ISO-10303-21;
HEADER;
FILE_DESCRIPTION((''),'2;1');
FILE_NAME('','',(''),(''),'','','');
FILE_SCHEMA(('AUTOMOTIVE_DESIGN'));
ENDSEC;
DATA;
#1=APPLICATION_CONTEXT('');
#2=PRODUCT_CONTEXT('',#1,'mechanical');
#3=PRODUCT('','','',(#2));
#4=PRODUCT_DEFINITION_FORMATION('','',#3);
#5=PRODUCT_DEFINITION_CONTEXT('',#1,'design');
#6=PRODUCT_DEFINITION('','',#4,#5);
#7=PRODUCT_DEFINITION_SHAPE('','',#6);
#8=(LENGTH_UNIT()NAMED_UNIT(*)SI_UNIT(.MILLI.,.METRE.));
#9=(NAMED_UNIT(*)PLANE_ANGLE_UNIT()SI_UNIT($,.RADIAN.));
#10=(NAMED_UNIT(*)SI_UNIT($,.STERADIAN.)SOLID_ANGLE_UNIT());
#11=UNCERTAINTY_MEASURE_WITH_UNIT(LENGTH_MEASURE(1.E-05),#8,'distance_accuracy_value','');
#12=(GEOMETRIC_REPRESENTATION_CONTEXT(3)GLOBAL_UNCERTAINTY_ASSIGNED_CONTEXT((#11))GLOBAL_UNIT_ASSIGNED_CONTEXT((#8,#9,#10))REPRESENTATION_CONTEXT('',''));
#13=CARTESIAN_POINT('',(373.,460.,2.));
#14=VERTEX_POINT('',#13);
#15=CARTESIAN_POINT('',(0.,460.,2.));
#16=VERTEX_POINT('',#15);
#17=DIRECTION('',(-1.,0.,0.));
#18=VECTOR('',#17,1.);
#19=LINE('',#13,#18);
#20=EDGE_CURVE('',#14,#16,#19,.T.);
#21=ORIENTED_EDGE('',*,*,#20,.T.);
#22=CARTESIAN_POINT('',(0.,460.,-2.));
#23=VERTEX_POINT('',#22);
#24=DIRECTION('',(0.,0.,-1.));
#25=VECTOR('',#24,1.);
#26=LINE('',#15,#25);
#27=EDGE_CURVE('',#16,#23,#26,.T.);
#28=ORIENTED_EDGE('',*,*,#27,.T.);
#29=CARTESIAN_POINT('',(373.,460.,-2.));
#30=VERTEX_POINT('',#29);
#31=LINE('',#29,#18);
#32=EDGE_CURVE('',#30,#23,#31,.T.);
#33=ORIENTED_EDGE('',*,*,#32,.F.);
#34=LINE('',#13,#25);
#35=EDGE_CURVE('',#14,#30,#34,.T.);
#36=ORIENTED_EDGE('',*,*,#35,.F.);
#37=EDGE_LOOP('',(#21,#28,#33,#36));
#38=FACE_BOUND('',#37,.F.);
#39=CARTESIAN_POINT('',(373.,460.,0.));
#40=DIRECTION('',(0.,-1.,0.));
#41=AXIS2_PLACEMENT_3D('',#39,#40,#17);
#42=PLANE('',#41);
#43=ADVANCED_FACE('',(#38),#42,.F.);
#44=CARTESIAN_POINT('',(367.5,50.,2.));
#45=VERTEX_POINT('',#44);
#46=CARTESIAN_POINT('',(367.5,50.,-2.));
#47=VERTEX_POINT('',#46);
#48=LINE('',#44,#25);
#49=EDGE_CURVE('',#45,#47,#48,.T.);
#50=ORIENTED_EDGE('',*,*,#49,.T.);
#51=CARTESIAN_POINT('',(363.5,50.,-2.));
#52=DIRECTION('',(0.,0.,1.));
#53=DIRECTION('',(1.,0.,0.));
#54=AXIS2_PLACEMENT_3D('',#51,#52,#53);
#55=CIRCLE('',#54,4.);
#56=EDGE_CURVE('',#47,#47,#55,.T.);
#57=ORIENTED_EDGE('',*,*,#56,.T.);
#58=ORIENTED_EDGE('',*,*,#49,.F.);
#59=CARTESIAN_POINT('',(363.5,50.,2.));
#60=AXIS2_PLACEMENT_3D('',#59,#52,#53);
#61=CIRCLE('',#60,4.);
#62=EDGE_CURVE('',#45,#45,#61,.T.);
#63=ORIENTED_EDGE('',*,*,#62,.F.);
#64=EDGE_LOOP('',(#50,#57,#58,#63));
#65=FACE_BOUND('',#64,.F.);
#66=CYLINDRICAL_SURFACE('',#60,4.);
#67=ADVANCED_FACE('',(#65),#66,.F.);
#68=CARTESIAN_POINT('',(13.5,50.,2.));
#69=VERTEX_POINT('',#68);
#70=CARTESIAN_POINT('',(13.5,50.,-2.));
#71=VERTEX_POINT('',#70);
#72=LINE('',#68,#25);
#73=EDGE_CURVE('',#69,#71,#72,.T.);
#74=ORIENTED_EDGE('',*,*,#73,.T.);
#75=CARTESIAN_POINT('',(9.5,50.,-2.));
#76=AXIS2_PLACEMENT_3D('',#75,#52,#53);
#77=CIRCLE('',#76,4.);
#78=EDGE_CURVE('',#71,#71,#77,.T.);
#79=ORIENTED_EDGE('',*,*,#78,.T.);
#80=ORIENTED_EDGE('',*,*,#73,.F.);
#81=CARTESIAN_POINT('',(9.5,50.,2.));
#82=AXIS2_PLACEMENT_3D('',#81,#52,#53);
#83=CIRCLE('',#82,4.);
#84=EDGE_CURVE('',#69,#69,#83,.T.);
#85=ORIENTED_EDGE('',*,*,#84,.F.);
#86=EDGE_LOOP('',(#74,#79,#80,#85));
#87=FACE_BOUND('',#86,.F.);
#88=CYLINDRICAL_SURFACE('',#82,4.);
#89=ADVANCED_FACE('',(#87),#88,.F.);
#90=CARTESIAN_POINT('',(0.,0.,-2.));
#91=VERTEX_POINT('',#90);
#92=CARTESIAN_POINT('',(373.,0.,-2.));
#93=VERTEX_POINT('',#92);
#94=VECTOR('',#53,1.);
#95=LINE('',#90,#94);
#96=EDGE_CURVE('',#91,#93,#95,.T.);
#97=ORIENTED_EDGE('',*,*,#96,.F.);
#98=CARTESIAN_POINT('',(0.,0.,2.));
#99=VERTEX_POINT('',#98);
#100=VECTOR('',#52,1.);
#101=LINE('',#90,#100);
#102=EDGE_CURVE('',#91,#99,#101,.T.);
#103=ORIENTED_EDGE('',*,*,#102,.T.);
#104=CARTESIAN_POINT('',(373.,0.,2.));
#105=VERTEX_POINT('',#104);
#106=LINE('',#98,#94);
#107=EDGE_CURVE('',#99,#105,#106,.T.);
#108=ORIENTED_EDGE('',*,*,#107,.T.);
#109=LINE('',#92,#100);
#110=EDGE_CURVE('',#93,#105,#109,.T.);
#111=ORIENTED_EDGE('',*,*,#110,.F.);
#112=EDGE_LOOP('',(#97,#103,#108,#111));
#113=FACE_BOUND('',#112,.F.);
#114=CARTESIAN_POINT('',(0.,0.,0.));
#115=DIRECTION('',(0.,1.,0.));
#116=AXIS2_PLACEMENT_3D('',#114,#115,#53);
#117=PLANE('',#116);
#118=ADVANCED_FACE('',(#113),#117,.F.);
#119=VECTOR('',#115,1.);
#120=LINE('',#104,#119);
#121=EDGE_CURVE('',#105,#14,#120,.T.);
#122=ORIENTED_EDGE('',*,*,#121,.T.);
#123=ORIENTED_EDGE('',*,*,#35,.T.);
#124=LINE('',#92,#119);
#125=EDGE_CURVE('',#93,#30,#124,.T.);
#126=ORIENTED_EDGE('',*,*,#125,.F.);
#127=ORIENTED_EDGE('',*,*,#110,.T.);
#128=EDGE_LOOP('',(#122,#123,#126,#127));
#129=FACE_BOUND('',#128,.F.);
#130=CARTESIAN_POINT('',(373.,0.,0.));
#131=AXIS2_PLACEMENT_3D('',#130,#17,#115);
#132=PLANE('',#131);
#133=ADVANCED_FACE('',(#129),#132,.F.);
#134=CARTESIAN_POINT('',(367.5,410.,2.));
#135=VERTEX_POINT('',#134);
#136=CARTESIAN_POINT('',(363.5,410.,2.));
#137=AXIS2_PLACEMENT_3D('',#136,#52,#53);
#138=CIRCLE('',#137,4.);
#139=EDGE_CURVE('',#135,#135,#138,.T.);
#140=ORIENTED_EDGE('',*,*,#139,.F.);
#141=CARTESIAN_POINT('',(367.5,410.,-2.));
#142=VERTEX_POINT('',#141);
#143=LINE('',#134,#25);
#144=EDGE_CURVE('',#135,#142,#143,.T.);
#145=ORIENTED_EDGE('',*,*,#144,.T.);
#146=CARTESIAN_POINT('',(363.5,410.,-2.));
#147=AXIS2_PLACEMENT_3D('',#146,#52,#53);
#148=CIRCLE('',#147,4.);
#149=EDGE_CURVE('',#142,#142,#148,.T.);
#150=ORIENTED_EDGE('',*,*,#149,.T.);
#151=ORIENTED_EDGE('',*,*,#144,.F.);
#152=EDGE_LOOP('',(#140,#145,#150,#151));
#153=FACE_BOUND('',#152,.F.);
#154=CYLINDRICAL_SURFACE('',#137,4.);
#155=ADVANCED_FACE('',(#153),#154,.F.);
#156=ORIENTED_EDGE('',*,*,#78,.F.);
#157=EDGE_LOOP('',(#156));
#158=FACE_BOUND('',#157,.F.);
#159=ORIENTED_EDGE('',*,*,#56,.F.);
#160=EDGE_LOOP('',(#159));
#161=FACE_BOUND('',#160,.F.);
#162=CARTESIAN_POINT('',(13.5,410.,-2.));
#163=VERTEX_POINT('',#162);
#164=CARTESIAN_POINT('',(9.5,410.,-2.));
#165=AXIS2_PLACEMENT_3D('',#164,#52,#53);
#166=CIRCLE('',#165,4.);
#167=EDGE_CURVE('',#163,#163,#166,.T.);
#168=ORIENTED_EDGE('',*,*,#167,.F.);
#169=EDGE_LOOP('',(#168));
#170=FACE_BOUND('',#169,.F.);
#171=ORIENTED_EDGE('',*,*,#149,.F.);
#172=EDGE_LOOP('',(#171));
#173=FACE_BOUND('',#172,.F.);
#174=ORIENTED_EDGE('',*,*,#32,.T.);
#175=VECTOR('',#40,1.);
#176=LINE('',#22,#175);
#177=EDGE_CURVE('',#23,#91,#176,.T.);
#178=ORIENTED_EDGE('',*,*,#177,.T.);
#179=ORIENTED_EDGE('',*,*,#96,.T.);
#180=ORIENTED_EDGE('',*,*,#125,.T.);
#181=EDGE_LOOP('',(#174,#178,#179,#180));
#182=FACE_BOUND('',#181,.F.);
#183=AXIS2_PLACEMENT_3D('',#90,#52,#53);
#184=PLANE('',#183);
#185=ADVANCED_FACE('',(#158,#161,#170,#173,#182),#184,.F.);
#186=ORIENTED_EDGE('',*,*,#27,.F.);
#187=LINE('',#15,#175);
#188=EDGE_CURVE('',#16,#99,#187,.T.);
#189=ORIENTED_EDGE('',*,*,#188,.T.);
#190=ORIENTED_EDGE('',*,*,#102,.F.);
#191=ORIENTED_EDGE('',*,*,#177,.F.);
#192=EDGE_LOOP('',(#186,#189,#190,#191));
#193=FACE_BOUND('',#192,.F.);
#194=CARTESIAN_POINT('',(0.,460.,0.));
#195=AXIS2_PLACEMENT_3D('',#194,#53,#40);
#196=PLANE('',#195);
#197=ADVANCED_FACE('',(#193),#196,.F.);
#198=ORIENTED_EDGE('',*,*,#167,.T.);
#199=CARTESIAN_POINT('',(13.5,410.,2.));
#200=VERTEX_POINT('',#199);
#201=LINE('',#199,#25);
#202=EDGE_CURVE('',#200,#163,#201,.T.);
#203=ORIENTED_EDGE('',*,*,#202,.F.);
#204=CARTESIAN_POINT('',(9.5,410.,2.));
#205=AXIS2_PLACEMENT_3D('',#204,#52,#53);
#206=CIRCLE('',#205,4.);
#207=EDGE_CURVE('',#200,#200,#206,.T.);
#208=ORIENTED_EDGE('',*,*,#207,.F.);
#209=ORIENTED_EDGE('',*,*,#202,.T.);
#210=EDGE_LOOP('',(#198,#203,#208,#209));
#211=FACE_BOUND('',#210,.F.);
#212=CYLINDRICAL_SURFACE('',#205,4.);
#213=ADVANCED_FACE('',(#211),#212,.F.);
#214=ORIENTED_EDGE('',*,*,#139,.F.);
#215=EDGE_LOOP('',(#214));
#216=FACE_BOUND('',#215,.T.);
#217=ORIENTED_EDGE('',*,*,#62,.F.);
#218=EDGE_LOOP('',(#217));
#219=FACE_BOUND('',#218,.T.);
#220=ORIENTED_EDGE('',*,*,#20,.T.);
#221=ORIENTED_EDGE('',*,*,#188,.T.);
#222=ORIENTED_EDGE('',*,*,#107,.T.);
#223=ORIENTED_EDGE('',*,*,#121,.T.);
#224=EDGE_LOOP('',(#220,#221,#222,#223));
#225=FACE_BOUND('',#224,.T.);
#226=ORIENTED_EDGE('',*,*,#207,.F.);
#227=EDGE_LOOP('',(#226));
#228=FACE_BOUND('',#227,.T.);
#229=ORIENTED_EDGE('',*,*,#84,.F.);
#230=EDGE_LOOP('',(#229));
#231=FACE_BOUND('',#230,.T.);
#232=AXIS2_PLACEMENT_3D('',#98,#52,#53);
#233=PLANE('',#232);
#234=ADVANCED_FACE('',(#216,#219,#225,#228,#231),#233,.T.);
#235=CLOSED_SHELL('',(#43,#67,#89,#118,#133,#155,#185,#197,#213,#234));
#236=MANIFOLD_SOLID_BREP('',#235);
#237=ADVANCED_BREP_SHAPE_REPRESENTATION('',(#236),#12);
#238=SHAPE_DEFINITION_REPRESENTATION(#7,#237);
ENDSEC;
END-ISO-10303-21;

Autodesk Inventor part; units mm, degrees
ref_plane "YZ Plane" through (0, 0, 0) normal (1, 0, 0) x (0, 1, 0)
ref_plane "XZ Plane" through (0, 0, 0) normal (0, 1, 0) x (-1, 0, 0)
ref_plane "XY Plane" through (0, 0, 0) normal (0, 0, 1) x (1, 0, 0)
sketch "Sketch1" plane through (0, 0, 0) normal (0, 0, 1) x (1, 0, 0)
  line L0 (0, 0) -> (373, 0)
  line L1 (373, 0) -> (373, 460)
  line L2 (373, 460) -> (0, 460)
  line L3 (0, 460) -> (0, 0)
  dimension "d0" = 373
  dimension "d1" = 460
extrude "Extrusion1" add sketch "Sketch1" along normal mid plane 4
sketch "Sketch2" plane through (0, 0, 2) normal (0, 0, 1) x (1, 0, 0)
  circle A0 centre (9.5, 410) radius 4
  circle A1 centre (363.5, 410) radius 4
  circle A2 centre (9.5, 50) radius 4
  circle A3 centre (363.5, 50) radius 4
  line L0 (373, 460) -> (0, 460) projected
  line L1 (373, 0) -> (373, 460) projected
  line L2 (0, 460) -> (0, 0) projected
  line L3 (0, 0) -> (373, 0) projected
  dimension "d4" = 8
  dimension "d5" = 8
  dimension "d6" = 8
  dimension "d7" = 8
  dimension "d8" = 50
  dimension "d9" = 9.5
  dimension "d10" = 50
  dimension "d11" = 9.5
  dimension "d12" = 50
  dimension "d13" = 9.5
  dimension "d14" = 50
  dimension "d15" = 9.5
extrude "Extrusion2" cut sketch "Sketch2" against normal blind 4 contours A0 | A1 | A2 | A3
properties part number "perspex height" material "Glass"
